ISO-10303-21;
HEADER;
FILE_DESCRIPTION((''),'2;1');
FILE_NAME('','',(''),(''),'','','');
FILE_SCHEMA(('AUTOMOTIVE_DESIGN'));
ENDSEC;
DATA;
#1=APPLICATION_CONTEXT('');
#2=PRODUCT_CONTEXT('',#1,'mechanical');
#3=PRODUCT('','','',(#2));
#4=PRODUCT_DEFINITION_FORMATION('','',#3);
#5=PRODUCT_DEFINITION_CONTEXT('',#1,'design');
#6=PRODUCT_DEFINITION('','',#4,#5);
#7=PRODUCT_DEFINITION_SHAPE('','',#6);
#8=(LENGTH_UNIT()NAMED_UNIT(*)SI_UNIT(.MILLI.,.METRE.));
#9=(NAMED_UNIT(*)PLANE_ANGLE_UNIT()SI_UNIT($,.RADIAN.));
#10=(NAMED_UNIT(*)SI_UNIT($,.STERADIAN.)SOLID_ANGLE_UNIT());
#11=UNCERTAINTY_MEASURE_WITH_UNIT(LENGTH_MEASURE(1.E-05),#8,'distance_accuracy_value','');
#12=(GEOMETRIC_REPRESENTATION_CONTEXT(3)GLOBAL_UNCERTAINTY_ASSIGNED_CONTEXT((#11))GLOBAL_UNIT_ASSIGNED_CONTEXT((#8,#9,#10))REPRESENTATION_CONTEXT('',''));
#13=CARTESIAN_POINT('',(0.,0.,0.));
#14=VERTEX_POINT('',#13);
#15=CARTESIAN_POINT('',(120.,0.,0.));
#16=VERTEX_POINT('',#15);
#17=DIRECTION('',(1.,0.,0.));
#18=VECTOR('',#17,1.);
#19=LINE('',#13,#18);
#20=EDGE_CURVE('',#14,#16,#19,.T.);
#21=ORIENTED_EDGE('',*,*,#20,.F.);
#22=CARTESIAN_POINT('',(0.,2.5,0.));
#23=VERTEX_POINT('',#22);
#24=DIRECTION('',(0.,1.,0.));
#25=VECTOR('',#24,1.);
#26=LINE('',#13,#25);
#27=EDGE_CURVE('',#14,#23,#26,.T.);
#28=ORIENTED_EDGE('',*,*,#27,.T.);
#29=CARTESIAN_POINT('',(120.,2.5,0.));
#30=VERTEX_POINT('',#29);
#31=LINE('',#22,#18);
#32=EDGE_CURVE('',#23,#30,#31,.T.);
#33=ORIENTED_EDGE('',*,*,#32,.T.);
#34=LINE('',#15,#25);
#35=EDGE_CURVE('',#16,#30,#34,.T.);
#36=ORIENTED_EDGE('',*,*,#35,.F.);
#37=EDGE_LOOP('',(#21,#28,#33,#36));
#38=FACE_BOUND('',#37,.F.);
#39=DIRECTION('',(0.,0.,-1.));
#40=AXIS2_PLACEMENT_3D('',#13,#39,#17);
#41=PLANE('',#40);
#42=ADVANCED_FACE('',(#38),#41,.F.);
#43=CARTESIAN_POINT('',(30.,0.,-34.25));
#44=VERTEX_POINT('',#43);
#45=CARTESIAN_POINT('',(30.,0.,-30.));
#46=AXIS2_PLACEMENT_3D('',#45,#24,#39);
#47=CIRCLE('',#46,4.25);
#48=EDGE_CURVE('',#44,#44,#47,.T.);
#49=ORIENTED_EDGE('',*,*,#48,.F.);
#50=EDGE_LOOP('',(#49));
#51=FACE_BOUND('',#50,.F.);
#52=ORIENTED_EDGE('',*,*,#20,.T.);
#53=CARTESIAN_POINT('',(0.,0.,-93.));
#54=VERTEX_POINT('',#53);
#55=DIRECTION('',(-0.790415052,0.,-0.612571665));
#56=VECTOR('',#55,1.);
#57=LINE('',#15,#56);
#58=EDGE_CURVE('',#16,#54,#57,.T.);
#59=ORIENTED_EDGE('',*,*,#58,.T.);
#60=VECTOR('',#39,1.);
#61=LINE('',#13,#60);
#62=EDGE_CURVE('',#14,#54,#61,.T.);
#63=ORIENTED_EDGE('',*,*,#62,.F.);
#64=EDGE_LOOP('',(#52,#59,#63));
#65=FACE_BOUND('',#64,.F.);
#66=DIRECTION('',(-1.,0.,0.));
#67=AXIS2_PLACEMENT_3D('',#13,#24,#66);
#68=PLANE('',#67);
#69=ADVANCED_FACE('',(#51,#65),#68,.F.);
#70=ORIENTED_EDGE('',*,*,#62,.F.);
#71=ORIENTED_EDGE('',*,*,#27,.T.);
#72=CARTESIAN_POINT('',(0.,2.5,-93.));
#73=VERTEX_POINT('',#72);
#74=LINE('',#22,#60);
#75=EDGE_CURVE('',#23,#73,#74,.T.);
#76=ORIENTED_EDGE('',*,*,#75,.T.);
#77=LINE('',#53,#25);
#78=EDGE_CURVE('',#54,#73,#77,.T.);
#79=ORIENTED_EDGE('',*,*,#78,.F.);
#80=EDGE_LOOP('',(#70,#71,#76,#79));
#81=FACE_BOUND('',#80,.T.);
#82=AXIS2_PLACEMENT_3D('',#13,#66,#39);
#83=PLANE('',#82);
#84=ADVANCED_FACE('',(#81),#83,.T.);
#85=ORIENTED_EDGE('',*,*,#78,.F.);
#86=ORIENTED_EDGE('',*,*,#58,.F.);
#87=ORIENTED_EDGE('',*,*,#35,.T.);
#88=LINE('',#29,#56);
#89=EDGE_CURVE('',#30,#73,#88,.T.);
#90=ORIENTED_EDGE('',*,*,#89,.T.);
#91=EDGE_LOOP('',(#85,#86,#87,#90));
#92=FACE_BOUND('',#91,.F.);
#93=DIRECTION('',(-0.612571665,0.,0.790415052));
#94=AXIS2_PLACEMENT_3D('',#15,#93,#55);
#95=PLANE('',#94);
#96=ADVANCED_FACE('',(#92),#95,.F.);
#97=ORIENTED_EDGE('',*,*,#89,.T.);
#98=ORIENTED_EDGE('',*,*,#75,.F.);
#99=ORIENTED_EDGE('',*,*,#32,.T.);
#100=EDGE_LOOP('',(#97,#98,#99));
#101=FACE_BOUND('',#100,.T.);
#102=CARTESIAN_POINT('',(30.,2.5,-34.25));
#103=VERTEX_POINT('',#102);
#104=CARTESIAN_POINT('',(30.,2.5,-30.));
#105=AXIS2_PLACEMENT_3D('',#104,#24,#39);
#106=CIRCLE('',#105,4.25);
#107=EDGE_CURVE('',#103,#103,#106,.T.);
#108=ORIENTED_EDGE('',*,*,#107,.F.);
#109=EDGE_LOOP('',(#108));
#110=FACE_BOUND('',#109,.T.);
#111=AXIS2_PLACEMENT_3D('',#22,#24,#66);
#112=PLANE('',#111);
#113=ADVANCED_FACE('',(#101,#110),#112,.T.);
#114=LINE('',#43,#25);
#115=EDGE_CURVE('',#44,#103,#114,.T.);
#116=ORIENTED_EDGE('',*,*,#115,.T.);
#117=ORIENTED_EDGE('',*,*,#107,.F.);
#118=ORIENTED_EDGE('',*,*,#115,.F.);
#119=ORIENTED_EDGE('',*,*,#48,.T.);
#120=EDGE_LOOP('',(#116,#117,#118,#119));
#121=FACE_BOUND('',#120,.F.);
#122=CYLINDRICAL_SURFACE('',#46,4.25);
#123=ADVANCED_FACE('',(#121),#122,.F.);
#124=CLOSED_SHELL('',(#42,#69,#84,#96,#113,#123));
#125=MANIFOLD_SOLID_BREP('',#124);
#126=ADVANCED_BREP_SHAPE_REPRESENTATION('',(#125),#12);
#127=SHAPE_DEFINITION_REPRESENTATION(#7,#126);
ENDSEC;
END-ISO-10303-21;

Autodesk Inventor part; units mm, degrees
ref_plane "YZ Plane" through (0, 0, 0) normal (1, 0, 0) x (0, 1, 0)
ref_plane "XZ Plane" through (0, 0, 0) normal (0, 1, 0) x (-1, 0, 0)
ref_plane "XY Plane" through (0, 0, 0) normal (0, 0, 1) x (1, 0, 0)
sketch "Boceto1" plane through (0, 0, 0) normal (0, 1, 0) x (-1, 0, 0)
  line L0 (0, 0) -> (-120, 0)
  line L1 (0, 0) -> (0, -93)
  line L2 (-120, 0) -> (0, -93)
  dimension "d0" = 120
  dimension "d1" = 93
extrude "Placa1" add sketch "Boceto1" along normal blind 2.5
sketch "Sketch2" plane through (0, 0, 0) normal (0, -1, 0) x (1, 0, 0)
  line L0 (0, 0) -> (120, 0) projected
  line L1 (0, -93) -> (0, 0) projected
  point P0 (30, -30)
  dimension "d3" = 30
  dimension "d4" = 30
hole "Hole1" at (30, 0, -30) direction (0, 1, 0) diameter 8.5 depth 2.5 tip angle 118
thread "Thread1" size "M10x1.5" class "6H" standard "ISO Metric profile" full length
equation "\"d10\" = Grosor"
equation "\"d2\" = Grosor"
equation "\"Radio_pliegue\" = Grosor"
equation "\"Anchura_desahogo_plegado\" = Grosor"
equation "\"Profundidad_desahogo_plegado\" = 0.5 * Grosor"
equation "\"Remanente_mínimo\" = 2 * Grosor"
equation "\"Radiodetransición\" = Radio_pliegue"
equation "\"Tamaño_de_radio_de_Jacobi\" = Radio_pliegue"
equation "\"TamañoSeparación\" = Grosor"
equation "\"Grosor\" = 2.5"
properties part number "Base_Ruedas" material "Acero ASTM A36"
